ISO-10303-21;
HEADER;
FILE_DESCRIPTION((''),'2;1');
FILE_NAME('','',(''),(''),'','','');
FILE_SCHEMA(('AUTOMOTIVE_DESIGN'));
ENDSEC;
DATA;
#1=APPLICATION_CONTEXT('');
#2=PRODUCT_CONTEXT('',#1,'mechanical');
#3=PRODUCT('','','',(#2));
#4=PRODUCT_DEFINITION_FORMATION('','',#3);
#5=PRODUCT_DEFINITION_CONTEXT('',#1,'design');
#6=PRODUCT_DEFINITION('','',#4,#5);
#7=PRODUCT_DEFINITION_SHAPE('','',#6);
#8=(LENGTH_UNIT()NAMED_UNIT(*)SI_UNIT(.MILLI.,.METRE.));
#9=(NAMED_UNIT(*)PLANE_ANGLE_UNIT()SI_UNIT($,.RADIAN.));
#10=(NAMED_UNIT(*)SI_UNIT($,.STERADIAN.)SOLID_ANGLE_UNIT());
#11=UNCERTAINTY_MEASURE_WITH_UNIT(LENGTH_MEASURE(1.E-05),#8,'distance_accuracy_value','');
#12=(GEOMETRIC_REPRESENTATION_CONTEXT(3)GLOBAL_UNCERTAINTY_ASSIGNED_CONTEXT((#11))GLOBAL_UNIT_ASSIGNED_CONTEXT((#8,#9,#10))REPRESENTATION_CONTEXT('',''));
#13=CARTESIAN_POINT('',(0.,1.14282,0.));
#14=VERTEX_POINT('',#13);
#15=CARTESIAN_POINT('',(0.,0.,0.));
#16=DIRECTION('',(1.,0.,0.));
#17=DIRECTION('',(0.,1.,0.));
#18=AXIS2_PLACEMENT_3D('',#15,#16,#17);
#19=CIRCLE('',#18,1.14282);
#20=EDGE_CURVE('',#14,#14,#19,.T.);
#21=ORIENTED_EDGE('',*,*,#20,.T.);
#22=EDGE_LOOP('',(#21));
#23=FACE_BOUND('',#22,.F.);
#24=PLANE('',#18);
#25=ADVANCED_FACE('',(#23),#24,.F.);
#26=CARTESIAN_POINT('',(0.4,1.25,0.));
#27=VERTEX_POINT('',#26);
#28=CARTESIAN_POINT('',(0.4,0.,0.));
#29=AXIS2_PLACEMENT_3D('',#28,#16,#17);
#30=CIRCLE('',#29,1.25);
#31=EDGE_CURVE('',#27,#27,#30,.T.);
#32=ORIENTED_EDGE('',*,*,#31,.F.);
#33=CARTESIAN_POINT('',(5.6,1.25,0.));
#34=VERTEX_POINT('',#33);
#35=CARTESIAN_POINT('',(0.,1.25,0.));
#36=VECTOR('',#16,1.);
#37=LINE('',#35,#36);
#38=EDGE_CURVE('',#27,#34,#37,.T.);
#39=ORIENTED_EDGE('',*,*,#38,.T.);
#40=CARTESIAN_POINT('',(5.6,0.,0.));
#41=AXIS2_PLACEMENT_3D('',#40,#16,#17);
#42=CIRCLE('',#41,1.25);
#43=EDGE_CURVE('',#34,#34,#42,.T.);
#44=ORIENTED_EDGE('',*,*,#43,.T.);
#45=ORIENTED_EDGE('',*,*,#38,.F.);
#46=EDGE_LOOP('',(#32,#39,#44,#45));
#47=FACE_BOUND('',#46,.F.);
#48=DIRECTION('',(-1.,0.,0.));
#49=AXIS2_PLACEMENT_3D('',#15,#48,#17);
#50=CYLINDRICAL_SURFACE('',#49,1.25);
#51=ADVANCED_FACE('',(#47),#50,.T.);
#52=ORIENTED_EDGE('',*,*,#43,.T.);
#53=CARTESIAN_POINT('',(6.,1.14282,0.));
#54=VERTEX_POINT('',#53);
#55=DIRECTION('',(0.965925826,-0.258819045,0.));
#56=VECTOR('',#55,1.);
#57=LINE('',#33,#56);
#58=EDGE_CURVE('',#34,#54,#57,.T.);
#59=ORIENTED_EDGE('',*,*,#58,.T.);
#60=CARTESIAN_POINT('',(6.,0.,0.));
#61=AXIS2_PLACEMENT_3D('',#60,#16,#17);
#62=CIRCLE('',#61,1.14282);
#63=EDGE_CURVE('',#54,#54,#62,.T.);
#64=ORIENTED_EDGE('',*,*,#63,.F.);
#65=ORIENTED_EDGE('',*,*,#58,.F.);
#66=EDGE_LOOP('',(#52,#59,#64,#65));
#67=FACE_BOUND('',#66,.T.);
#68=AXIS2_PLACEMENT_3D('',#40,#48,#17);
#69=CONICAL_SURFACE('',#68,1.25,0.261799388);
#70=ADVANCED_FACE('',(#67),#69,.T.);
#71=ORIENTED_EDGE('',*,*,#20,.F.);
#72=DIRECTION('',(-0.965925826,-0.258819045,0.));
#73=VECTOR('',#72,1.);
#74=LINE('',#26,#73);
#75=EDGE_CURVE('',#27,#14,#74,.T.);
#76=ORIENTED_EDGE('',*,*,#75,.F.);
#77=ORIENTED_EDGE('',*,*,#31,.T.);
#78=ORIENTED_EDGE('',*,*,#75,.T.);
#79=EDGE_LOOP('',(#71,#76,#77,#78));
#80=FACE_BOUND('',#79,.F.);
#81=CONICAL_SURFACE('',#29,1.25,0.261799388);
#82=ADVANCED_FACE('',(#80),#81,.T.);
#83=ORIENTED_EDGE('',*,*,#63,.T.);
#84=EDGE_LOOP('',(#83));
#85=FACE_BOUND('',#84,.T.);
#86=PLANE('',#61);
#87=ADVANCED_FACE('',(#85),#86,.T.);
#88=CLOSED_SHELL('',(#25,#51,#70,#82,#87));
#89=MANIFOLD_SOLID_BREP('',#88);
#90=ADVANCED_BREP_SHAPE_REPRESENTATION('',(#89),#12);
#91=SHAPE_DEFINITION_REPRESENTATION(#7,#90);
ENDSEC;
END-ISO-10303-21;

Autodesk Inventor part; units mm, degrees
ref_plane "YZ Plane" through (0, 0, 0) normal (1, 0, 0) x (0, 1, 0)
ref_plane "XZ Plane" through (0, 0, 0) normal (0, 1, 0) x (-1, 0, 0)
ref_plane "XY Plane" through (0, 0, 0) normal (0, 0, 1) x (1, 0, 0)
sketch "Skizze" plane through (0, 0, 0) normal (1, 0, 0) x (0, 1, 0)
  circle A0 centre (0, 0) radius 1.25
  dimension "d1" = 2.5
extrude "Körper" add sketch "Skizze" along normal blind 6
chamfer "Fase1" distance 0.4 angle 15 1 edges at (0, -1.25, 0) measured on face at (4, 1.2338, -0.2005)
chamfer "Skizze2" distance 0.4 angle 15 1 edges at (6, -1.25, 0) measured on face at (4.1333, 1.2459, -0.1006)
equation "\"d1\" = NND"
equation "\"d2\" = NLG"
equation "\"d8\" = PHH"
equation "\"d9\" = FAWI"
equation "\"d12\" = PHH"
equation "\"d4\" = PHH"
equation "\"d5\" = FAWI"
equation "\"d11\" = PHH"
equation "\"NND\" = 2.5"
equation "\"NLG\" = 6"
equation "\"PHH\" = 0.4"
equation "\"FAWI\" = 15deg"
equation "\"KAH\" = 0"
properties part number "ISO 2338 - 2,5 m6 x 6" material "Edelstahl, austenitisch"
